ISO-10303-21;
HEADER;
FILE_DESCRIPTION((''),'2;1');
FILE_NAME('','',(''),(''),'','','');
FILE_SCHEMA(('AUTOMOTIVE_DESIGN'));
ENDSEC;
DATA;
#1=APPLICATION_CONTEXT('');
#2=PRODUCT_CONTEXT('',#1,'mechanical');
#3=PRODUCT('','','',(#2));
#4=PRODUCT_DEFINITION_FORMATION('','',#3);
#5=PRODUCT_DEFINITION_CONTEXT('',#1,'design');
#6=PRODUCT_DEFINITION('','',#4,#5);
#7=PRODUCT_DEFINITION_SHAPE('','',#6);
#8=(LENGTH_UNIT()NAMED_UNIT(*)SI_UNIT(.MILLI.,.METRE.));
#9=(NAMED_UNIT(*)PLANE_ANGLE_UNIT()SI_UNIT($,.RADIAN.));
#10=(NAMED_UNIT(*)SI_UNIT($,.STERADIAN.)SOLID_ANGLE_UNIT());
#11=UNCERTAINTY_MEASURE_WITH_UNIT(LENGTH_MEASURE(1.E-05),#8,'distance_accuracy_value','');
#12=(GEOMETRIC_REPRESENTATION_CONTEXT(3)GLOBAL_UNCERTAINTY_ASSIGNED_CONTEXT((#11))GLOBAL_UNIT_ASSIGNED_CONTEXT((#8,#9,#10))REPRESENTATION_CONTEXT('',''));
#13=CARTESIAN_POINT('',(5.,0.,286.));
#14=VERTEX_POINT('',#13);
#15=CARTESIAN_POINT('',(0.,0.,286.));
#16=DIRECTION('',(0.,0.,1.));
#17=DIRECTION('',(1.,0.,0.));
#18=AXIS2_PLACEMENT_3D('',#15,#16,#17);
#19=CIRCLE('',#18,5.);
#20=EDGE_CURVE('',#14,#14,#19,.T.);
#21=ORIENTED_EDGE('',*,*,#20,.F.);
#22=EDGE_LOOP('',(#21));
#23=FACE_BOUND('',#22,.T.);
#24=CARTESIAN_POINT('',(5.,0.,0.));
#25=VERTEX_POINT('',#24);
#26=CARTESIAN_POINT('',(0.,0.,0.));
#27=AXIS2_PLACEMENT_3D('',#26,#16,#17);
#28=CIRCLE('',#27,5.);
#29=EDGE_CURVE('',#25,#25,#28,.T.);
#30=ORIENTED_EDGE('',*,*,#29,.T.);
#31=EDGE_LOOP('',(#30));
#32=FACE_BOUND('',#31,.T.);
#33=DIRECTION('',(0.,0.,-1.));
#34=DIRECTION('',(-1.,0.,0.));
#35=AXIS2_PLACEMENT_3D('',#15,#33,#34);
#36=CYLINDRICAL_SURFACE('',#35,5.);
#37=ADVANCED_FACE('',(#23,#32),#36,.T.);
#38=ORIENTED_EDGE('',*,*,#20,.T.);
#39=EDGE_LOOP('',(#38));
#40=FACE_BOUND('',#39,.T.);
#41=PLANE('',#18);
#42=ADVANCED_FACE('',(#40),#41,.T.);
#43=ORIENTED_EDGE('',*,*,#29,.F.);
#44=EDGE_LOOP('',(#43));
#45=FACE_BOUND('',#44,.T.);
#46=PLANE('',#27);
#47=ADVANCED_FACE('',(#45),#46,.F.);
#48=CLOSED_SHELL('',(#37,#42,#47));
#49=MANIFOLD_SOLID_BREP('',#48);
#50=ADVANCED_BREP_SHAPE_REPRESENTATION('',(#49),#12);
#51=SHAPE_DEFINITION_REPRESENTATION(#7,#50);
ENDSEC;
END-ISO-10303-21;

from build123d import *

# Parameters (mm, degrees)
CROQUIS1_R              = 5
SALIENTE_EXTRUIR1_DEPTH = 286


with BuildPart() as part:
    # Croquis1 → Saliente-Extruir1 (new body)
    with BuildSketch(Plane.XY):
        Circle(CROQUIS1_R)
    extrude(amount=SALIENTE_EXTRUIR1_DEPTH)


solid = part.part
